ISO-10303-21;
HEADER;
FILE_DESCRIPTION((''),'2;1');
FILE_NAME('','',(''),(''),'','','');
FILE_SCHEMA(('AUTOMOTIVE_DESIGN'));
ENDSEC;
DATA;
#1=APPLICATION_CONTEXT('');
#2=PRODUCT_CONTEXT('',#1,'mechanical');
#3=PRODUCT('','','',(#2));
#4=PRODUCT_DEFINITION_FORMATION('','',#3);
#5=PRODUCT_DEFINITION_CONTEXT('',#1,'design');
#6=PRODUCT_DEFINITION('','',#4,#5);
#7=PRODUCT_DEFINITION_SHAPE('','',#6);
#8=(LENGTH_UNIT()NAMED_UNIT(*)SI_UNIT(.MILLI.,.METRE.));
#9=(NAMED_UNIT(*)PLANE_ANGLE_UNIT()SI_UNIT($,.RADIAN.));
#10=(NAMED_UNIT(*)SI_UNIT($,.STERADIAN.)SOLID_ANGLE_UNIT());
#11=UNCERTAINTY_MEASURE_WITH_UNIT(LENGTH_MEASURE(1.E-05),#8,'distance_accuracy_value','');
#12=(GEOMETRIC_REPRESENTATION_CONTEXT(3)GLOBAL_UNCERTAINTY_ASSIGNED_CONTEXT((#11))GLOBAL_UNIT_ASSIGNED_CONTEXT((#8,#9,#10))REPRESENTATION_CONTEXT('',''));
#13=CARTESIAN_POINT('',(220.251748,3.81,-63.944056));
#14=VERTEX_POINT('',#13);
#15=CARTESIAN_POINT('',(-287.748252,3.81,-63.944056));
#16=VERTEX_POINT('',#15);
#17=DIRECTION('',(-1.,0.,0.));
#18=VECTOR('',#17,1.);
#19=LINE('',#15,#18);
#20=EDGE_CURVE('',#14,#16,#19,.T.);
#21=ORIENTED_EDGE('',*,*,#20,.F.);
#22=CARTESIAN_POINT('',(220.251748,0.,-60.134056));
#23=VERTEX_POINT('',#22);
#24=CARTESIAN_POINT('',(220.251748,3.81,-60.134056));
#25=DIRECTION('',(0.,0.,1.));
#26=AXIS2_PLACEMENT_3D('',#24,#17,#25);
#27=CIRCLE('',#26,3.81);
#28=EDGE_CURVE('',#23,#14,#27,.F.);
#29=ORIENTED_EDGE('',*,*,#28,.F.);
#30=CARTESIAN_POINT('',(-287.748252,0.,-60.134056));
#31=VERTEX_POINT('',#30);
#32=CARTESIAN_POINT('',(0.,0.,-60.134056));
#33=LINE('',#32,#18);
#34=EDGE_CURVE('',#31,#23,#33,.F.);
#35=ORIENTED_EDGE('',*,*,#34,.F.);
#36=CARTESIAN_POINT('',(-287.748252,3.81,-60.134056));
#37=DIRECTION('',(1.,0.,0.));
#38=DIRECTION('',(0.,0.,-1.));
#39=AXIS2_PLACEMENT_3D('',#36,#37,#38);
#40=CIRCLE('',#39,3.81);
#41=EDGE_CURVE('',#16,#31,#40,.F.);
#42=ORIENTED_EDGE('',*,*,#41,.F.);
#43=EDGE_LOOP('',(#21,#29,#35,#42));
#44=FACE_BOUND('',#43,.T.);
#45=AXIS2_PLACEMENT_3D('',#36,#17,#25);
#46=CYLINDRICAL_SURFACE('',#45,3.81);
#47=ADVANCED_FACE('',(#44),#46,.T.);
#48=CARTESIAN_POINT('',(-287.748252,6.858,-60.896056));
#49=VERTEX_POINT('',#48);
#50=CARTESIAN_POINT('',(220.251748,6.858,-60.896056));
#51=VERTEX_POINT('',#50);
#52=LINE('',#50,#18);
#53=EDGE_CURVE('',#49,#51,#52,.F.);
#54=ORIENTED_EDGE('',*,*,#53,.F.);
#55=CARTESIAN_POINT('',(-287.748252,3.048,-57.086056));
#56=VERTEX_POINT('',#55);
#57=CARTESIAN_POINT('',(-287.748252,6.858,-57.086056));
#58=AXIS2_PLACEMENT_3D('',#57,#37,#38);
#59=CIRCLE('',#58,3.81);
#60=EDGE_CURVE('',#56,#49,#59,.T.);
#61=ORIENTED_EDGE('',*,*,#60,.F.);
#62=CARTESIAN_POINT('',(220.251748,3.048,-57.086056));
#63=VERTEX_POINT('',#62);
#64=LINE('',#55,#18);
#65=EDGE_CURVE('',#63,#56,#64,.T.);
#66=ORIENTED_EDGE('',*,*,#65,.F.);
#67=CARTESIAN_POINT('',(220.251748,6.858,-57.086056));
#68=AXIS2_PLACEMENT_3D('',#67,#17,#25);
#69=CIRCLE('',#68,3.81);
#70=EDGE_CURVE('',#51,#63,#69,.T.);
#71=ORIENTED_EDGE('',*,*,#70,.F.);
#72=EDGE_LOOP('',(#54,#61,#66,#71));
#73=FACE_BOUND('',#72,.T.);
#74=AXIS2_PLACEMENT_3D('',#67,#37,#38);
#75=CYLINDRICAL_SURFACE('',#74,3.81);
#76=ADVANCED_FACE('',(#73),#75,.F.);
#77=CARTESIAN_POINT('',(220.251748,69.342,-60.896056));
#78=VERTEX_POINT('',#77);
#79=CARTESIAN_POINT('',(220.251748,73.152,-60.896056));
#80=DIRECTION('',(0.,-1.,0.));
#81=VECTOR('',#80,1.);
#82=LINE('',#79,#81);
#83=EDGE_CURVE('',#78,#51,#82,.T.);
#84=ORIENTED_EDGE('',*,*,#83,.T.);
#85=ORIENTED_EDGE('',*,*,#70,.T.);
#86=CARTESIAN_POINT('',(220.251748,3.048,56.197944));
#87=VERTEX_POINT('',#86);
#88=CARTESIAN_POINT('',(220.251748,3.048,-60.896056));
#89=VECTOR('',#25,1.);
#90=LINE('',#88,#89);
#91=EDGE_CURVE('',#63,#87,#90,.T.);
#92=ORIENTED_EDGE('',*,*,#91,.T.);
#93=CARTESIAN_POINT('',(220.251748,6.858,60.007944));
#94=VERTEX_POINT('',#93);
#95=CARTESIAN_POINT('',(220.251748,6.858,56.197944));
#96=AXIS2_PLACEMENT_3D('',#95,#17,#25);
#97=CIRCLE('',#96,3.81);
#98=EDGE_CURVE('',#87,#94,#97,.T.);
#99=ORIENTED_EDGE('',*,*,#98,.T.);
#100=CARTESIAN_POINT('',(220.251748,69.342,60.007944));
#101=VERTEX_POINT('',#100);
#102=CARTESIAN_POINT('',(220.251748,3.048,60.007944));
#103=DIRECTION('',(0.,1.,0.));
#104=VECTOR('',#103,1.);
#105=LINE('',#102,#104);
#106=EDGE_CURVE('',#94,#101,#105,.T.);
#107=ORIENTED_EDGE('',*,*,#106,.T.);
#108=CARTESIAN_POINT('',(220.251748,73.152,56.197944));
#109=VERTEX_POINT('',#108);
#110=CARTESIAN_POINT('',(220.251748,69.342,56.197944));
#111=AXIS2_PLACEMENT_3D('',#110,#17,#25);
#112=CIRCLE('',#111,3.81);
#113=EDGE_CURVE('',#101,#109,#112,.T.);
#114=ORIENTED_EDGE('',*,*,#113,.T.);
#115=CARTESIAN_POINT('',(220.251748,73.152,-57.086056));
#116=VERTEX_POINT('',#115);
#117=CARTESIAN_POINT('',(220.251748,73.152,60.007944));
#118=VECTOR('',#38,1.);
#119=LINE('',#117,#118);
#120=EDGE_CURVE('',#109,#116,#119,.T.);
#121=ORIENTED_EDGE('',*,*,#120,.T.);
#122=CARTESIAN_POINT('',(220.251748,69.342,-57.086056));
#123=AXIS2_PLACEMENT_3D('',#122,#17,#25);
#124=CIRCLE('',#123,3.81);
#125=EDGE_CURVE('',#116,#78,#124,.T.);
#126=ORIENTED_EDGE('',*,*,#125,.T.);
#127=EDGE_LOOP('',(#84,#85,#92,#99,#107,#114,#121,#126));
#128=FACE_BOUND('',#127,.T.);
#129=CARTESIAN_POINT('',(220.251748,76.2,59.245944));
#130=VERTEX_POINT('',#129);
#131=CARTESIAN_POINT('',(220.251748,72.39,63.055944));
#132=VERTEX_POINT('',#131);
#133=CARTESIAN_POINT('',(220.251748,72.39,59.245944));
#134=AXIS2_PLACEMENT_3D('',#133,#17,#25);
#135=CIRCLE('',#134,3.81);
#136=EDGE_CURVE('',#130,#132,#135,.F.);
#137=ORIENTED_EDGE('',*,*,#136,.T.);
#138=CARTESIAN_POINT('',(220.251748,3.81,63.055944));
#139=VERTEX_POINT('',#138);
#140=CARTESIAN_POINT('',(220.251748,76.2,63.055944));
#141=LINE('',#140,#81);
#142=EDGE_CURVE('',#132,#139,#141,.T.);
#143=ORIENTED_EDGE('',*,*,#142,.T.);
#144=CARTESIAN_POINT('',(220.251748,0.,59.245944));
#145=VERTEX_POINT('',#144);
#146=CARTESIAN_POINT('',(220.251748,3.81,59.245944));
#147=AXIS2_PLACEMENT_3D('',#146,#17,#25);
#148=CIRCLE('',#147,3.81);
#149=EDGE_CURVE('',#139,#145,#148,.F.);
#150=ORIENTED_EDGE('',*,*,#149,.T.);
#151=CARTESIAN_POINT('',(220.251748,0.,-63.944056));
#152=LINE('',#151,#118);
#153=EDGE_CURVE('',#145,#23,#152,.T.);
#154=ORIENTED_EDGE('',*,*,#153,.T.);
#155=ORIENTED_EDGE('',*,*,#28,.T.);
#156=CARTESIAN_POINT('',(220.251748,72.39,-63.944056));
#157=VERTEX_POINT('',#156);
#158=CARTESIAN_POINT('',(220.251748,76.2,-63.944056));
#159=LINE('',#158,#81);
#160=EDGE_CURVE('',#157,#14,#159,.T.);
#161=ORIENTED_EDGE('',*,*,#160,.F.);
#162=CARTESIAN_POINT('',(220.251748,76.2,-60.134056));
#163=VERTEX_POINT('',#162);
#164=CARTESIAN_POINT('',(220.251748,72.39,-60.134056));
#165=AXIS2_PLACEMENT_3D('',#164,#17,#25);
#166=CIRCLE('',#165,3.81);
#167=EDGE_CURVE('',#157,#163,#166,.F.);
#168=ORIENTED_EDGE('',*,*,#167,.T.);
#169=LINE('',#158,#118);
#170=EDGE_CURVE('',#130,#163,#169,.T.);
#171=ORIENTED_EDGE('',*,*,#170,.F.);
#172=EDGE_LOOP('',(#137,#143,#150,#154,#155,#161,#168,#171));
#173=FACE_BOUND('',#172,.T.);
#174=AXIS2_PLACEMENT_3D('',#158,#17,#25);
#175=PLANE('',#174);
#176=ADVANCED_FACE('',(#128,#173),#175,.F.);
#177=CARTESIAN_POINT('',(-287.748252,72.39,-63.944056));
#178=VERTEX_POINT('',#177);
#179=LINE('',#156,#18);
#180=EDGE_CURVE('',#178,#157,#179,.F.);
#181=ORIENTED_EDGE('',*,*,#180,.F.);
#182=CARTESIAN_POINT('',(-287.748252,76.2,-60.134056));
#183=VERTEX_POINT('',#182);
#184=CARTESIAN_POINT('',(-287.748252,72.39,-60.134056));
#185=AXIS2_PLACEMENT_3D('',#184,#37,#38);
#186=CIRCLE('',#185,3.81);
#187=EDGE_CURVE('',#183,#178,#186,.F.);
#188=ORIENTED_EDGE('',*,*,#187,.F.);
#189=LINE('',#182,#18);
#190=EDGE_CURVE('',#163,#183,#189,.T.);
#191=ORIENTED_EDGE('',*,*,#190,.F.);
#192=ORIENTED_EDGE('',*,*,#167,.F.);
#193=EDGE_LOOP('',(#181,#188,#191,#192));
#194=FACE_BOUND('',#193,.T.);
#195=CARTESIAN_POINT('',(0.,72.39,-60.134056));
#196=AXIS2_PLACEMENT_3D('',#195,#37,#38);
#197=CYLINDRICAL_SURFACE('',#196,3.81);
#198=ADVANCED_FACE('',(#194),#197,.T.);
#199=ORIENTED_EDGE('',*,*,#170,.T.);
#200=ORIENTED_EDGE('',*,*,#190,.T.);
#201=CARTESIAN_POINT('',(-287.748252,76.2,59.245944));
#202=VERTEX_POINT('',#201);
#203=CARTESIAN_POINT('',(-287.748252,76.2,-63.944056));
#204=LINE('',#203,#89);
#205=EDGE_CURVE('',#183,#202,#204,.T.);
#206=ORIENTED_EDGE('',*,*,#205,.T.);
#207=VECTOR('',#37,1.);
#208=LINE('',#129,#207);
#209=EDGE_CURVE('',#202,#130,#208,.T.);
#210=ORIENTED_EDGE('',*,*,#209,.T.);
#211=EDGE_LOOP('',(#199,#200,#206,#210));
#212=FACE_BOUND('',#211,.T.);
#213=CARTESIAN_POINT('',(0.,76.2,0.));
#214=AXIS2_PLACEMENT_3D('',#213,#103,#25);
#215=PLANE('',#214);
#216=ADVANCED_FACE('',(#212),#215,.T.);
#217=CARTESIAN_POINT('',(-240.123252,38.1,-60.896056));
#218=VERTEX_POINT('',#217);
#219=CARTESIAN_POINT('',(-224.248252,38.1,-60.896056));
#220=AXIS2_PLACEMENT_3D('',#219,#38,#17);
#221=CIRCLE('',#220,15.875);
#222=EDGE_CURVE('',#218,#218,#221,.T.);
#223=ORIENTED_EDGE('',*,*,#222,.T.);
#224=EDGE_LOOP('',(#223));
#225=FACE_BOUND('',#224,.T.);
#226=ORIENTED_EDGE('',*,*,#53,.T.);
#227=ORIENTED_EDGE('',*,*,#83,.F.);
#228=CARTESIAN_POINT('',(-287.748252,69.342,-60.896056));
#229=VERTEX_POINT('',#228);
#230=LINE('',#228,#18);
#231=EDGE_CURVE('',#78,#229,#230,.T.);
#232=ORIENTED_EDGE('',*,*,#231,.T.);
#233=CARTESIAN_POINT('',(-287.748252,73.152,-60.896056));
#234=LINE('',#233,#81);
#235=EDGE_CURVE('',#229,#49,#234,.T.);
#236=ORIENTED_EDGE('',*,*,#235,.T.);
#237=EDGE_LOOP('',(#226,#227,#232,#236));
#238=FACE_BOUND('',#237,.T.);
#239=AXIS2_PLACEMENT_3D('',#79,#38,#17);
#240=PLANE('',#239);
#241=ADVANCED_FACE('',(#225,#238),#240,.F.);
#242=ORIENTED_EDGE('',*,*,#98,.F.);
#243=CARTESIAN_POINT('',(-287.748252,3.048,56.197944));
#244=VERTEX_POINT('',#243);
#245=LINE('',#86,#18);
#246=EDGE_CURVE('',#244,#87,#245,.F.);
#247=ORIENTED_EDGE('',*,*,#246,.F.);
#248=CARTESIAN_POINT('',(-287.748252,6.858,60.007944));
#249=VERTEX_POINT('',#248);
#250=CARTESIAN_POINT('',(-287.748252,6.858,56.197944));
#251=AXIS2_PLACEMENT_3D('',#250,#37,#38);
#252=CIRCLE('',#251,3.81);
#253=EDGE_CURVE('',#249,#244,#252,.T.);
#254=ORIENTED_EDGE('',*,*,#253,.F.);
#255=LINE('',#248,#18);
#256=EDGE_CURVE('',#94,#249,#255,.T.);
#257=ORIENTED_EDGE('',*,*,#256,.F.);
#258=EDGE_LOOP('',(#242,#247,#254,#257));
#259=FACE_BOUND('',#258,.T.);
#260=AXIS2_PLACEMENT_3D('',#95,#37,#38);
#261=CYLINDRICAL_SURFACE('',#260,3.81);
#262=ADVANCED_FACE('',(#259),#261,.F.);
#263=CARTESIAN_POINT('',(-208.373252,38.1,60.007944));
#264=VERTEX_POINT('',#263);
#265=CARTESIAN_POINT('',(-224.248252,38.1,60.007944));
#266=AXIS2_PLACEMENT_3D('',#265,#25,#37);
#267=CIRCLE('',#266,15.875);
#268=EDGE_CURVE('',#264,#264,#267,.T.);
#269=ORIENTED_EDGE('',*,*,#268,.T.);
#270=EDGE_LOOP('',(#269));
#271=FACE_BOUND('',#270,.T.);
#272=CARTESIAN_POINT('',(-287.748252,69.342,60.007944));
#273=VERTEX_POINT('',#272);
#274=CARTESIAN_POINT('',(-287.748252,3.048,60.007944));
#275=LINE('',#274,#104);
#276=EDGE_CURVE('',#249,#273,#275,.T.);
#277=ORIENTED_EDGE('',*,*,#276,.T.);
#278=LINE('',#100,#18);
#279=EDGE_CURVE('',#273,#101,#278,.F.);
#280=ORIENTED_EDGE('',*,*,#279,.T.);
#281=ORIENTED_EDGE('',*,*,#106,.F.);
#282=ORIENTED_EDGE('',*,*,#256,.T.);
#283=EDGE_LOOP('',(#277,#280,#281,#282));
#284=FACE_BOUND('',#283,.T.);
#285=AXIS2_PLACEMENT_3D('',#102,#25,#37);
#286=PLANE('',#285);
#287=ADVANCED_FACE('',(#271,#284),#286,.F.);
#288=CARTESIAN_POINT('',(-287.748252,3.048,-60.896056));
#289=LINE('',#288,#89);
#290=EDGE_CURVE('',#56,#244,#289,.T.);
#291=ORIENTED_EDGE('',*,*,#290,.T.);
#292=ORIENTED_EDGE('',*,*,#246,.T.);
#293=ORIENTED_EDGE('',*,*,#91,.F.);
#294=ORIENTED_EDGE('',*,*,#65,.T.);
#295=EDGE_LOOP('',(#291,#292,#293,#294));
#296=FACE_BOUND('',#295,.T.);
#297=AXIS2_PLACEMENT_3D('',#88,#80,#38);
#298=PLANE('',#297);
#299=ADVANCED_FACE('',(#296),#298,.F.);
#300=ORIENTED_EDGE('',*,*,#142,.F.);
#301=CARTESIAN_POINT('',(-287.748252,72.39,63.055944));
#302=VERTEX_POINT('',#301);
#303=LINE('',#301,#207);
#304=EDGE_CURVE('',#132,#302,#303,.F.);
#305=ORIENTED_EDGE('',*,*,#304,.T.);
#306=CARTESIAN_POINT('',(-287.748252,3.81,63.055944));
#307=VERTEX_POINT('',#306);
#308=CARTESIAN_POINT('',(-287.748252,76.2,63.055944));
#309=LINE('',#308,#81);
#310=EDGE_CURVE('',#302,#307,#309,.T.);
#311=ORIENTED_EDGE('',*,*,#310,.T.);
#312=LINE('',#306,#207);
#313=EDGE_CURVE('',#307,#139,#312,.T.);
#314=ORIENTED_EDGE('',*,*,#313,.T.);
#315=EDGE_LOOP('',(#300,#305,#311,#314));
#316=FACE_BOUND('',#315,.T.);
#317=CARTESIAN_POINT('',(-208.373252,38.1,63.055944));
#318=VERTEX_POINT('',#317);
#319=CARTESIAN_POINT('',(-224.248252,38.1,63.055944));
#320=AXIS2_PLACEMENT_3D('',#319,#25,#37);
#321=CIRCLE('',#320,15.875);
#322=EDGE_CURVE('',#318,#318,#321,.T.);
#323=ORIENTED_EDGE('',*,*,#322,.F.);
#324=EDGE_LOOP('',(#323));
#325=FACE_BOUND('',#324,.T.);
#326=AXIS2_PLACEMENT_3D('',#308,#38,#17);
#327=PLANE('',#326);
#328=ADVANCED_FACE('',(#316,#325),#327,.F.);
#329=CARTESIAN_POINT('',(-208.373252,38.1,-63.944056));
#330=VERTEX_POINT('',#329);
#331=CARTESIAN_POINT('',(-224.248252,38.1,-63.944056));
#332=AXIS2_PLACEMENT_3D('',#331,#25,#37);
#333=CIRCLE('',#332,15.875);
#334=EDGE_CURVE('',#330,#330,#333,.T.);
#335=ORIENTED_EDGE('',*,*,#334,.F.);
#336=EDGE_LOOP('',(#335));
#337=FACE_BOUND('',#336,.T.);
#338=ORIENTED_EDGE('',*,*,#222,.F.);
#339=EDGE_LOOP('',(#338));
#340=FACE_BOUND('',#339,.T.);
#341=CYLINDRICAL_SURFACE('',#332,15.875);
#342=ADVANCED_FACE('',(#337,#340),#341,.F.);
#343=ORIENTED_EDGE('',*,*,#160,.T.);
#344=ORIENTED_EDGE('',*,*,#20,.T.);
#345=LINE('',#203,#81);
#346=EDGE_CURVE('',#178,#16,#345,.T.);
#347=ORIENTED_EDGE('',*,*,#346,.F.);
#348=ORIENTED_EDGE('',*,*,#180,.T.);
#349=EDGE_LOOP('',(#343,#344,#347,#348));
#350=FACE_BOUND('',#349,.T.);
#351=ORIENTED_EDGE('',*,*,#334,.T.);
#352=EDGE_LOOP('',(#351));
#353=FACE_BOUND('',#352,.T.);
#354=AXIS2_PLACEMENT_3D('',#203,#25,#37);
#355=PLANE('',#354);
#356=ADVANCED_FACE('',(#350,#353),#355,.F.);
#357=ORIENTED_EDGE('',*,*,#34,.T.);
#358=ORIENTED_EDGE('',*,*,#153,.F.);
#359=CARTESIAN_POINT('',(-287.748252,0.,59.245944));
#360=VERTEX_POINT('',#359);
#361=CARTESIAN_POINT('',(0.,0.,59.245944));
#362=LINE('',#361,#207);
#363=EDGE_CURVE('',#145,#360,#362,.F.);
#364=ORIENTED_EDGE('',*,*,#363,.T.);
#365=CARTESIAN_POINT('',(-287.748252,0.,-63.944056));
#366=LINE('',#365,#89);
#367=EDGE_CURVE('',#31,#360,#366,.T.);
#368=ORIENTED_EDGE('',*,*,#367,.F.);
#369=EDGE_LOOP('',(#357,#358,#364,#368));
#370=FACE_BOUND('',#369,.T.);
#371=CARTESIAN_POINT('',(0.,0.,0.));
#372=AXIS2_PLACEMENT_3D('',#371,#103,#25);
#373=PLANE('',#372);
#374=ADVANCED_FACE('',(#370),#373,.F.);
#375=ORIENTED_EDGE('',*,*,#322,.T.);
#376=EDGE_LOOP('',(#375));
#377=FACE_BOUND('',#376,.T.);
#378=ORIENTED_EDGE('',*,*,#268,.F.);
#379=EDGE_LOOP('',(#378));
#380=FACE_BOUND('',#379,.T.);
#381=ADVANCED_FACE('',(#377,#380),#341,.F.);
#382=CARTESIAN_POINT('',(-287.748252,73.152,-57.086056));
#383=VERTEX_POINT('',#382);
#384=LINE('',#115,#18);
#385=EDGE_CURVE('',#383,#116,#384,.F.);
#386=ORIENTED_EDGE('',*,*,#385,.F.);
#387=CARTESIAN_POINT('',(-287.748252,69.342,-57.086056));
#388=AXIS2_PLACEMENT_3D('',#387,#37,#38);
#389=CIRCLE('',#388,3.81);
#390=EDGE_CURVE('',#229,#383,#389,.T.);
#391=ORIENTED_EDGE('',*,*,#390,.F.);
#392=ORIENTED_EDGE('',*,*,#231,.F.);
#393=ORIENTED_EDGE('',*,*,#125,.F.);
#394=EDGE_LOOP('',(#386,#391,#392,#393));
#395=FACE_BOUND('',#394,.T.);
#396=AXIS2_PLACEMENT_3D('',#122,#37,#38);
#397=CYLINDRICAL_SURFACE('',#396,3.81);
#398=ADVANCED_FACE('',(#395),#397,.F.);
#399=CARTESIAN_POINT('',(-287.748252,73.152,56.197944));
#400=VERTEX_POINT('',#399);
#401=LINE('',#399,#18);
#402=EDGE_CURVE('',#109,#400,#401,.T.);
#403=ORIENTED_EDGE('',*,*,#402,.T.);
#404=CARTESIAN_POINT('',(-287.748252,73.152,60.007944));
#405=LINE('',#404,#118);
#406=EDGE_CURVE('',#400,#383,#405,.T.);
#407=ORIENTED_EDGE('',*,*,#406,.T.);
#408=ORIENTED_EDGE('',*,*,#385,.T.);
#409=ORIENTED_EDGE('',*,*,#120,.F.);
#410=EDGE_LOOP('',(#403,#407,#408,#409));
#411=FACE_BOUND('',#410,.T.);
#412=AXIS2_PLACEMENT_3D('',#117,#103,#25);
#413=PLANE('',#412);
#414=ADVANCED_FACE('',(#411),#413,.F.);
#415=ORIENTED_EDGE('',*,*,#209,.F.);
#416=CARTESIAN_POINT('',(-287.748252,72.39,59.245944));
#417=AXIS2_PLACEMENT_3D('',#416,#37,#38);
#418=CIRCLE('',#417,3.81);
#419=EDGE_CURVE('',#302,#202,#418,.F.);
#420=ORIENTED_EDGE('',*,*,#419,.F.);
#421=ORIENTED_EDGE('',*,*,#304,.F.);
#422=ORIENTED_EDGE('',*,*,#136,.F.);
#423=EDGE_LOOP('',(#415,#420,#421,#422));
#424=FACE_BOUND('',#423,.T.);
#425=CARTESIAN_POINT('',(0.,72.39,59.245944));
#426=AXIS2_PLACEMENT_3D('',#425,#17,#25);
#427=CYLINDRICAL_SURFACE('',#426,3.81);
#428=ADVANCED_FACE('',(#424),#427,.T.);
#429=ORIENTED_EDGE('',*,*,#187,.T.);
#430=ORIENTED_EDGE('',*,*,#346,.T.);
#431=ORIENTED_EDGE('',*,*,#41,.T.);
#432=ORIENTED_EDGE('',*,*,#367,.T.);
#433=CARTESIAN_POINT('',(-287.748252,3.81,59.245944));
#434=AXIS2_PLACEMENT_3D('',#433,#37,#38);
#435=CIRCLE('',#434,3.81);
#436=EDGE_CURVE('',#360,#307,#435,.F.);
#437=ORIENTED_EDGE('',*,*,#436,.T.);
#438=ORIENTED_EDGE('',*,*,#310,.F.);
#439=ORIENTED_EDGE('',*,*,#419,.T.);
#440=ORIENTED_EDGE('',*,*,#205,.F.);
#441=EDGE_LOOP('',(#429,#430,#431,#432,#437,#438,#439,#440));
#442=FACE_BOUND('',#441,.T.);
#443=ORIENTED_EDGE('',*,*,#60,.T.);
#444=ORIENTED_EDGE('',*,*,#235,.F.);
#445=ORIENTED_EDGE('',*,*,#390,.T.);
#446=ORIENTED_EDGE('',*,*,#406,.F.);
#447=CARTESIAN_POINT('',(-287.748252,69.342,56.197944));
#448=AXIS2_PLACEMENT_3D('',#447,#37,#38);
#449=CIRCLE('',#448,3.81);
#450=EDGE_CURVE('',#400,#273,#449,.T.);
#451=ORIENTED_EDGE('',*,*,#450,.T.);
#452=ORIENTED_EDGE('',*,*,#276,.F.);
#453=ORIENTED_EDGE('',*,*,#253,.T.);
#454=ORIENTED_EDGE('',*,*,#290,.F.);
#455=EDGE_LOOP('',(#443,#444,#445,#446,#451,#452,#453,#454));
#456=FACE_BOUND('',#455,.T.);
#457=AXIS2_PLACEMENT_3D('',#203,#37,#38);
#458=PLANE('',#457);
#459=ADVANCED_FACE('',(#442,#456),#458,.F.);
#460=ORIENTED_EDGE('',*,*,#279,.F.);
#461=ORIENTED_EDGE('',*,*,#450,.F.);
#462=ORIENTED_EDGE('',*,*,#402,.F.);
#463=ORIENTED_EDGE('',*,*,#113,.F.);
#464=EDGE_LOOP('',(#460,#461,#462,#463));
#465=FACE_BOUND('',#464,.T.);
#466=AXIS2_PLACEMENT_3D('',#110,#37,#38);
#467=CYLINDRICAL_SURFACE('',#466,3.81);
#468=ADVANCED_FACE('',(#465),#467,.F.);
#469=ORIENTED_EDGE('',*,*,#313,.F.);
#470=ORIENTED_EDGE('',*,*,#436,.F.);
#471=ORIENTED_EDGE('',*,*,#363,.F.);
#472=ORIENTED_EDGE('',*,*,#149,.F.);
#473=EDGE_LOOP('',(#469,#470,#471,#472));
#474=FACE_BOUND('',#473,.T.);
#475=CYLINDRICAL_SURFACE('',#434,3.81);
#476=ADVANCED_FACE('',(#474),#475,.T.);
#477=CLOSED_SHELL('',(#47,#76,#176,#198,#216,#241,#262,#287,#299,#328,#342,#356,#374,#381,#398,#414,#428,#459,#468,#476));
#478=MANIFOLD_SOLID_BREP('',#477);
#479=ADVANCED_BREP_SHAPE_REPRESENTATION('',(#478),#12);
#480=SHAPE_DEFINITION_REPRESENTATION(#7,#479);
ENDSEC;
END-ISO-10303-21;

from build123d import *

# Parameters (mm, degrees)
SKETCH1_W           = 508
SKETCH1_H           = 127
BOSS_EXTRUDE1_DEPTH = 76.2
SKETCH5_W           = 120.904
SKETCH5_H           = 70.104
CUT_EXTRUDE1_DEPTH  = 509
FILLET1_R           = 3.81
SKETCH9_R           = 15.875
CUT_EXTRUDE5_DEPTH  = 128


with BuildPart() as part:
    # Sketch1 → Boss-Extrude1 (new body)
    with BuildSketch(Plane(origin=(0, 0, 0), x_dir=(1, 0, 0), z_dir=(0, 1, 0))):
        with Locations((-33.748251748, 0.444055944)):
            Rectangle(SKETCH1_W, SKETCH1_H)
    extrude(amount=BOSS_EXTRUDE1_DEPTH)

    # Sketch5 → Cut-Extrude1 (cut, through all)
    with BuildSketch(Plane.ZY.offset(287.748251748)):
        with Locations((-0.444055944, 38.1)):
            Rectangle(SKETCH5_W, SKETCH5_H)
    extrude(amount=-CUT_EXTRUDE1_DEPTH, mode=Mode.SUBTRACT)

    # Fillet1
    fillet1_edges = [part.edges().sort_by_distance(p)[0] for p in [
        (-33.748251748, 76.2, -63.944055944),
        (-33.748251748, 3.048, -60.896055944),
        (-33.748251748, 73.152, -60.896055944),
        (-33.748251748, 73.152, 60.007944056),
        (-33.748251748, 3.048, 60.007944056),
        (-33.748251748, 0, -63.944055944),
        (-33.748251748, 0, 63.055944056),
        (-33.748251748, 76.2, 63.055944056),
    ]]
    fillet(fillet1_edges, radius=FILLET1_R)

    # Sketch9 → Cut-Extrude5 (cut, through all)
    with BuildSketch(Plane.XY.offset(63.055944056)):
        with Locations((-224.248251748, 38.1)):
            Circle(SKETCH9_R)
    extrude(amount=-CUT_EXTRUDE5_DEPTH, mode=Mode.SUBTRACT)


solid = part.part
